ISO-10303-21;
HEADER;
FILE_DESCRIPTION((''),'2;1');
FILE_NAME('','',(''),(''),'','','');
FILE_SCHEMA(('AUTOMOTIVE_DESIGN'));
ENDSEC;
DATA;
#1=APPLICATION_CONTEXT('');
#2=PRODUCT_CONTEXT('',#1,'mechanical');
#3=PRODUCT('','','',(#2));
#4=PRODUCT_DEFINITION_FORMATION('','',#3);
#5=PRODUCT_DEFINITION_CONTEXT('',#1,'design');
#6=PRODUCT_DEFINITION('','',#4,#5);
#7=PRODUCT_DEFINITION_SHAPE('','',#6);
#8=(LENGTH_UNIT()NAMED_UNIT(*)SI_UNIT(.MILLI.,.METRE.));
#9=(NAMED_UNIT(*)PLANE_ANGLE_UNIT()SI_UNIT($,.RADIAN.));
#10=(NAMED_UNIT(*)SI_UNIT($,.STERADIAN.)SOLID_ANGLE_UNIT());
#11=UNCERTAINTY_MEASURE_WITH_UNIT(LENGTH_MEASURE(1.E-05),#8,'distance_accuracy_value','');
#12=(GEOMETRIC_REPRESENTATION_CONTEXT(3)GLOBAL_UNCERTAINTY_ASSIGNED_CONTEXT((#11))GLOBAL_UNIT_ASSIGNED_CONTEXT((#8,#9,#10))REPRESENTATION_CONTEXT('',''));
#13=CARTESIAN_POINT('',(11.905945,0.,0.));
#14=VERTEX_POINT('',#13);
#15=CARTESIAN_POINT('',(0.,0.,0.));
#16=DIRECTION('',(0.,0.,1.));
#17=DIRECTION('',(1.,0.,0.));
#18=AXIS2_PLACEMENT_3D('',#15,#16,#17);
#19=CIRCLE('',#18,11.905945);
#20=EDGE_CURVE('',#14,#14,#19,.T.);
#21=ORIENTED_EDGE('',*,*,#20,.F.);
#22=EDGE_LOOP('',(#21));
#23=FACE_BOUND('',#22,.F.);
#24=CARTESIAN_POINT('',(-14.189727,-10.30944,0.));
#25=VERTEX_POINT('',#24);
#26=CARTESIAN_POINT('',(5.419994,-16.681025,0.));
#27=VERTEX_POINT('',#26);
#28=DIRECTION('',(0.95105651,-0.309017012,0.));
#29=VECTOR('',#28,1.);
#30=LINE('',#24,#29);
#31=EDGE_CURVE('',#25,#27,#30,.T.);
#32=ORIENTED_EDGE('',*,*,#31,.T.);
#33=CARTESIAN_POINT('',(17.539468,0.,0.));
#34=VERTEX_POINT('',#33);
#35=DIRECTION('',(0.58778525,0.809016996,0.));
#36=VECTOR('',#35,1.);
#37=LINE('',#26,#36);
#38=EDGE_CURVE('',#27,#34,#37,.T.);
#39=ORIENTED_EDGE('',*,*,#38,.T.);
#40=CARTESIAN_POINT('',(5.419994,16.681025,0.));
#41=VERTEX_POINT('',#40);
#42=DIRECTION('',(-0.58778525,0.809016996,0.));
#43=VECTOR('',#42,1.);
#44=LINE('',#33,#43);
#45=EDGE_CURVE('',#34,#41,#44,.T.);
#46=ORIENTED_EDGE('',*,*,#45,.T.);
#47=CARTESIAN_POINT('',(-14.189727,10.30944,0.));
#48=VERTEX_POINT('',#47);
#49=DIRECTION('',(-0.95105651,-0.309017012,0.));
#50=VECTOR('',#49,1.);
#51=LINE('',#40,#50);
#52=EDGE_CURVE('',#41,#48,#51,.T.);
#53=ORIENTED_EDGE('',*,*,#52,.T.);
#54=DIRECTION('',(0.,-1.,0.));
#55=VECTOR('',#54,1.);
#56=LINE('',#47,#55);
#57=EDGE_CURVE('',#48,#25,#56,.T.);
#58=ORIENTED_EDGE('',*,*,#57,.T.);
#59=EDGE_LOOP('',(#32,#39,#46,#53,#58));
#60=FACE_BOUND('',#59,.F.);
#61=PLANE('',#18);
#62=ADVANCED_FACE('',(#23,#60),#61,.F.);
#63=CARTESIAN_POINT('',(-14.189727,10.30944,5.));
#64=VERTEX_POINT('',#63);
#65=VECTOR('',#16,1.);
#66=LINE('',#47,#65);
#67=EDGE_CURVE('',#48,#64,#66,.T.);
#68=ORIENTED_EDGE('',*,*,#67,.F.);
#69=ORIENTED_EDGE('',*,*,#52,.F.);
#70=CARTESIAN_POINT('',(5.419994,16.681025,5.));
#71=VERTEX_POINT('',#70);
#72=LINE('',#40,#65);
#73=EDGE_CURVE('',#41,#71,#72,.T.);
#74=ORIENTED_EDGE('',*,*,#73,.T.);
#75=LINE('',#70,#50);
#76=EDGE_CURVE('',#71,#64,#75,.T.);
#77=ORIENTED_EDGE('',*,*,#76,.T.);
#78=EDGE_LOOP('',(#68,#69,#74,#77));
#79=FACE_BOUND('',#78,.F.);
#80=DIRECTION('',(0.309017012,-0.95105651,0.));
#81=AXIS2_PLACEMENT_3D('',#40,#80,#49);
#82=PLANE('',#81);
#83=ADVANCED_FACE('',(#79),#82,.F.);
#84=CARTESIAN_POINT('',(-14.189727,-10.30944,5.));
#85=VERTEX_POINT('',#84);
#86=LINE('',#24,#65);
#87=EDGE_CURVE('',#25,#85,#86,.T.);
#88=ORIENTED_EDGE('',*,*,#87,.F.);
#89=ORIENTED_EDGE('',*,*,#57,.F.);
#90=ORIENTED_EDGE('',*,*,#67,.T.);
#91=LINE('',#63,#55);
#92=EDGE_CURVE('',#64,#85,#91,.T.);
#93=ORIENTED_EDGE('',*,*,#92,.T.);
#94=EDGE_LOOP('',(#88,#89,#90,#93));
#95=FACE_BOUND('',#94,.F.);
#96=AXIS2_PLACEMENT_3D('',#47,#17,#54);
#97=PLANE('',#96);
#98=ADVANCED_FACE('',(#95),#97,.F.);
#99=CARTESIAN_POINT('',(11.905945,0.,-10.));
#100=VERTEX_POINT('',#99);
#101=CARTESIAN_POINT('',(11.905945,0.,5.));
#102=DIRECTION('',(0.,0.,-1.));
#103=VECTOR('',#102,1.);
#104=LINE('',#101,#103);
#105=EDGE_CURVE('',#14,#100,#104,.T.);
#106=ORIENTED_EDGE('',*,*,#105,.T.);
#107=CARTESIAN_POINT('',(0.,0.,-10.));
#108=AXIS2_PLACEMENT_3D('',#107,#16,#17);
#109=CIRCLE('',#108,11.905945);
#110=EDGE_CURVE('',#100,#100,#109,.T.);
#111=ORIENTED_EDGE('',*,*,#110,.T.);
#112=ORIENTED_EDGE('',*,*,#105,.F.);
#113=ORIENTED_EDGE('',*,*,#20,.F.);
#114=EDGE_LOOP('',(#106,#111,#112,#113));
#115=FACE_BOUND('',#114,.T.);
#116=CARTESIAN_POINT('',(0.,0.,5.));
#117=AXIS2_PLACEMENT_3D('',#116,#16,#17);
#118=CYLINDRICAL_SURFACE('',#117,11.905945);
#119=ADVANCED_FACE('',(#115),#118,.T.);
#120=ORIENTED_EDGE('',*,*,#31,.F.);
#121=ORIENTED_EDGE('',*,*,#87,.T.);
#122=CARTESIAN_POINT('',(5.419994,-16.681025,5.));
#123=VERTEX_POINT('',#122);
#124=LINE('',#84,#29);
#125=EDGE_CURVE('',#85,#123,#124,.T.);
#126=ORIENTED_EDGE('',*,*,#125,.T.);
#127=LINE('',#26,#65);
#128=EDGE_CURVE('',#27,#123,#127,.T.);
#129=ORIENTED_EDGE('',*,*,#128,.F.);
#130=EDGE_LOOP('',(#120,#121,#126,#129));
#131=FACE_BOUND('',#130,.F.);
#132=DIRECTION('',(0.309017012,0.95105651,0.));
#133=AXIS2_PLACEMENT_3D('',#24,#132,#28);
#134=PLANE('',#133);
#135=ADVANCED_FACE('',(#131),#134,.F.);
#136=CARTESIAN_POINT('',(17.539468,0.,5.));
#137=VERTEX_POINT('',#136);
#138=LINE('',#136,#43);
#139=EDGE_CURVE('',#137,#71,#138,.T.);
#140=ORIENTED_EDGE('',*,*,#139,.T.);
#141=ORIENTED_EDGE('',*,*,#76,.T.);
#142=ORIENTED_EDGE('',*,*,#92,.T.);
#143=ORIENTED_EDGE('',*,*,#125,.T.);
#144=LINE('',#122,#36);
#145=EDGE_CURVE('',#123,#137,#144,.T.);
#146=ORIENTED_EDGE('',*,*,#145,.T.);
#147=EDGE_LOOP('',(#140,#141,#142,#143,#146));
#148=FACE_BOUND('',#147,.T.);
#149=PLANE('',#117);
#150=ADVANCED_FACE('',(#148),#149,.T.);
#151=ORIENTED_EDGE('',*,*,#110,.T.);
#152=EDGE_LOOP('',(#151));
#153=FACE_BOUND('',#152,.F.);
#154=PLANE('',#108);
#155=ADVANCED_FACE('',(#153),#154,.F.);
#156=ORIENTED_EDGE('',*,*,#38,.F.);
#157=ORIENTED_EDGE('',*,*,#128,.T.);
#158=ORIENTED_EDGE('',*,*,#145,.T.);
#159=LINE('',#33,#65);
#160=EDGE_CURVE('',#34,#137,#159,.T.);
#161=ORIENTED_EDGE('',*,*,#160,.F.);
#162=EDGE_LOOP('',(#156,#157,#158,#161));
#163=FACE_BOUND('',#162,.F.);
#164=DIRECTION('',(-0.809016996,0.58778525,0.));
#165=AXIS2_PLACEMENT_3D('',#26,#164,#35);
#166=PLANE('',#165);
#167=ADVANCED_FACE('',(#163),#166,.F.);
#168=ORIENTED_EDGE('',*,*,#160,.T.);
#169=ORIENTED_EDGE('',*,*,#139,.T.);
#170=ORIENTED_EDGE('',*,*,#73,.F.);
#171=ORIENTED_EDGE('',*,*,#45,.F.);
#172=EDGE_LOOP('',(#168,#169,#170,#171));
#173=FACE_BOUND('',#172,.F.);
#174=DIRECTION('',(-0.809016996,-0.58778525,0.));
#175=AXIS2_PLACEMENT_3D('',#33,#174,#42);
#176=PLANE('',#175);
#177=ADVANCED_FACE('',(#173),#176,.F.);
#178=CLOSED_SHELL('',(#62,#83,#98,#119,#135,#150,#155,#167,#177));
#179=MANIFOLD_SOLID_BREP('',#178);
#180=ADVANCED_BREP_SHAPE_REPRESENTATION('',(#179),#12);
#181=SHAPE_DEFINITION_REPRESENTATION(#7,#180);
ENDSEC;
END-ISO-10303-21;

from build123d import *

# Parameters (mm, degrees)
F1_DEPTH = 5
F2_R     = 11.905945
F3_DEPTH = 15


with BuildPart() as f1:
    # F0 (on Top) → F1 (new body)
    with BuildSketch(Plane.XY):
        Polygon((17.539468, 0), (5.419994, 16.681025), (-14.189727, 10.30944), (-14.189727, -10.30944), (5.419994, -16.681025), align=None)
    extrude(amount=F1_DEPTH)

    # F2 (on face) → F3 (join)
    with BuildSketch(Plane.XY.offset(5)):
        Circle(F2_R)
    extrude(amount=-F3_DEPTH)


solid = f1.part
